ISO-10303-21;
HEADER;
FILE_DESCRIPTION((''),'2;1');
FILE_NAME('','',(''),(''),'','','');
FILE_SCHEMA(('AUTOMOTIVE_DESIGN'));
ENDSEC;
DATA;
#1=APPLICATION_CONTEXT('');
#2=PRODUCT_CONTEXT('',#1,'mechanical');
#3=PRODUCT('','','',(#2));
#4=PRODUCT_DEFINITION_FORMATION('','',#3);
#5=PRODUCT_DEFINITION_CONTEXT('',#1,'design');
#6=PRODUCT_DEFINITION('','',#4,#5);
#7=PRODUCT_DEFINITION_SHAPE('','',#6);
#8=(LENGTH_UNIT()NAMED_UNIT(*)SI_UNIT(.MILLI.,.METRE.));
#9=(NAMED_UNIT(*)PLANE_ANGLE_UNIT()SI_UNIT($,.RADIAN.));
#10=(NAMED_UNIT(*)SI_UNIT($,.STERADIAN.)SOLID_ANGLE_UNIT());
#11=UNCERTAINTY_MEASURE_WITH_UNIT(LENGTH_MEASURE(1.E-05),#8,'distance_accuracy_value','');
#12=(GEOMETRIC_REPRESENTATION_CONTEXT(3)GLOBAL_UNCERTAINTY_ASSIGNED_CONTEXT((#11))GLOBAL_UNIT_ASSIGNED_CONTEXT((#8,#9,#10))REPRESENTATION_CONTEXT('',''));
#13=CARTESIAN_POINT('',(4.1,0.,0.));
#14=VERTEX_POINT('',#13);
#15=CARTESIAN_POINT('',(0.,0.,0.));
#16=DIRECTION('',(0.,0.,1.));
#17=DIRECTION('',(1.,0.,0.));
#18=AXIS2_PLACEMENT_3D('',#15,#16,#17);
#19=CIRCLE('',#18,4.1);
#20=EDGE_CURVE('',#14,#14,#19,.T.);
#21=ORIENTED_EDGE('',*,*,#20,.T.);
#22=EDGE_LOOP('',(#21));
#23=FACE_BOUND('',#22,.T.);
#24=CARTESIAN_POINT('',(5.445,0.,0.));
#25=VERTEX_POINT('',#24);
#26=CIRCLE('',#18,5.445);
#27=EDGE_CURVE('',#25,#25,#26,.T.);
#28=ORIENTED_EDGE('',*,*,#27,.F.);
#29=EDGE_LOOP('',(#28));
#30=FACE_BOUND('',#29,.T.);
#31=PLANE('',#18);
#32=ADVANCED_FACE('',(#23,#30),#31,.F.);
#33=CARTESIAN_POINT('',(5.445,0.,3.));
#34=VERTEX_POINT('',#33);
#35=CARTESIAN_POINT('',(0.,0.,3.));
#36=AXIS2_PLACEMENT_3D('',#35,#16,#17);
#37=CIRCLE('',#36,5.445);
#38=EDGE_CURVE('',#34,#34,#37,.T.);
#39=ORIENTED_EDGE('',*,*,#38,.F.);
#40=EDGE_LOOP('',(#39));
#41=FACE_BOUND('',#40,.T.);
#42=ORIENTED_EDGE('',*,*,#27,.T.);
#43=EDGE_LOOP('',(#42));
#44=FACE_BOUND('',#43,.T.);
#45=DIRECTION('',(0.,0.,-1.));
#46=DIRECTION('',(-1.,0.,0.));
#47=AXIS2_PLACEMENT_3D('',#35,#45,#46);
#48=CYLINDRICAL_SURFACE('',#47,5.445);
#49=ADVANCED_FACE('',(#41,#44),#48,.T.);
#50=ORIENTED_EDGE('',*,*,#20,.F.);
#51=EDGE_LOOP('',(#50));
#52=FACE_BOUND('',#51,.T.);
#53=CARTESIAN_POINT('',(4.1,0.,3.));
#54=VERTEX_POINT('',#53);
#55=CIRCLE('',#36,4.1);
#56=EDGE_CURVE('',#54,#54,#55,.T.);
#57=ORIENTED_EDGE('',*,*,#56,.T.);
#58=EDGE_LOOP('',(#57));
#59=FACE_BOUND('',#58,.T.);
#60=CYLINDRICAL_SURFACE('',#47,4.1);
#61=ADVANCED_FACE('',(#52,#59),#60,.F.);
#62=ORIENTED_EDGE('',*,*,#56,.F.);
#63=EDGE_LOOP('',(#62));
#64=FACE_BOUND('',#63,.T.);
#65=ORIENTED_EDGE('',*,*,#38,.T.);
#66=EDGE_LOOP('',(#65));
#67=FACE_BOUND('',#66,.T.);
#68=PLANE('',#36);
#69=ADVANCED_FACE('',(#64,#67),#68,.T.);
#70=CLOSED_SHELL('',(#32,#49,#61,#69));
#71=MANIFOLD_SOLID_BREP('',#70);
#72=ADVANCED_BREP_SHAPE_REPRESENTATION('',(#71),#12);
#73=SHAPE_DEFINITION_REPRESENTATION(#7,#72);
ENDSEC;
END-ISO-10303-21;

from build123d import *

# Parameters (mm, degrees)
SKIZZE1_R                       = 5.445
SKIZZE1_R_2                     = 4.1
AUFSATZ_LINEAR_AUSTRAGEN1_DEPTH = 3


with BuildPart() as part:
    # Skizze1 → Aufsatz-Linear austragen1 (new body)
    with BuildSketch(Plane.XY):
        Circle(SKIZZE1_R)
        Circle(SKIZZE1_R_2, mode=Mode.SUBTRACT)
    extrude(amount=AUFSATZ_LINEAR_AUSTRAGEN1_DEPTH)


solid = part.part
